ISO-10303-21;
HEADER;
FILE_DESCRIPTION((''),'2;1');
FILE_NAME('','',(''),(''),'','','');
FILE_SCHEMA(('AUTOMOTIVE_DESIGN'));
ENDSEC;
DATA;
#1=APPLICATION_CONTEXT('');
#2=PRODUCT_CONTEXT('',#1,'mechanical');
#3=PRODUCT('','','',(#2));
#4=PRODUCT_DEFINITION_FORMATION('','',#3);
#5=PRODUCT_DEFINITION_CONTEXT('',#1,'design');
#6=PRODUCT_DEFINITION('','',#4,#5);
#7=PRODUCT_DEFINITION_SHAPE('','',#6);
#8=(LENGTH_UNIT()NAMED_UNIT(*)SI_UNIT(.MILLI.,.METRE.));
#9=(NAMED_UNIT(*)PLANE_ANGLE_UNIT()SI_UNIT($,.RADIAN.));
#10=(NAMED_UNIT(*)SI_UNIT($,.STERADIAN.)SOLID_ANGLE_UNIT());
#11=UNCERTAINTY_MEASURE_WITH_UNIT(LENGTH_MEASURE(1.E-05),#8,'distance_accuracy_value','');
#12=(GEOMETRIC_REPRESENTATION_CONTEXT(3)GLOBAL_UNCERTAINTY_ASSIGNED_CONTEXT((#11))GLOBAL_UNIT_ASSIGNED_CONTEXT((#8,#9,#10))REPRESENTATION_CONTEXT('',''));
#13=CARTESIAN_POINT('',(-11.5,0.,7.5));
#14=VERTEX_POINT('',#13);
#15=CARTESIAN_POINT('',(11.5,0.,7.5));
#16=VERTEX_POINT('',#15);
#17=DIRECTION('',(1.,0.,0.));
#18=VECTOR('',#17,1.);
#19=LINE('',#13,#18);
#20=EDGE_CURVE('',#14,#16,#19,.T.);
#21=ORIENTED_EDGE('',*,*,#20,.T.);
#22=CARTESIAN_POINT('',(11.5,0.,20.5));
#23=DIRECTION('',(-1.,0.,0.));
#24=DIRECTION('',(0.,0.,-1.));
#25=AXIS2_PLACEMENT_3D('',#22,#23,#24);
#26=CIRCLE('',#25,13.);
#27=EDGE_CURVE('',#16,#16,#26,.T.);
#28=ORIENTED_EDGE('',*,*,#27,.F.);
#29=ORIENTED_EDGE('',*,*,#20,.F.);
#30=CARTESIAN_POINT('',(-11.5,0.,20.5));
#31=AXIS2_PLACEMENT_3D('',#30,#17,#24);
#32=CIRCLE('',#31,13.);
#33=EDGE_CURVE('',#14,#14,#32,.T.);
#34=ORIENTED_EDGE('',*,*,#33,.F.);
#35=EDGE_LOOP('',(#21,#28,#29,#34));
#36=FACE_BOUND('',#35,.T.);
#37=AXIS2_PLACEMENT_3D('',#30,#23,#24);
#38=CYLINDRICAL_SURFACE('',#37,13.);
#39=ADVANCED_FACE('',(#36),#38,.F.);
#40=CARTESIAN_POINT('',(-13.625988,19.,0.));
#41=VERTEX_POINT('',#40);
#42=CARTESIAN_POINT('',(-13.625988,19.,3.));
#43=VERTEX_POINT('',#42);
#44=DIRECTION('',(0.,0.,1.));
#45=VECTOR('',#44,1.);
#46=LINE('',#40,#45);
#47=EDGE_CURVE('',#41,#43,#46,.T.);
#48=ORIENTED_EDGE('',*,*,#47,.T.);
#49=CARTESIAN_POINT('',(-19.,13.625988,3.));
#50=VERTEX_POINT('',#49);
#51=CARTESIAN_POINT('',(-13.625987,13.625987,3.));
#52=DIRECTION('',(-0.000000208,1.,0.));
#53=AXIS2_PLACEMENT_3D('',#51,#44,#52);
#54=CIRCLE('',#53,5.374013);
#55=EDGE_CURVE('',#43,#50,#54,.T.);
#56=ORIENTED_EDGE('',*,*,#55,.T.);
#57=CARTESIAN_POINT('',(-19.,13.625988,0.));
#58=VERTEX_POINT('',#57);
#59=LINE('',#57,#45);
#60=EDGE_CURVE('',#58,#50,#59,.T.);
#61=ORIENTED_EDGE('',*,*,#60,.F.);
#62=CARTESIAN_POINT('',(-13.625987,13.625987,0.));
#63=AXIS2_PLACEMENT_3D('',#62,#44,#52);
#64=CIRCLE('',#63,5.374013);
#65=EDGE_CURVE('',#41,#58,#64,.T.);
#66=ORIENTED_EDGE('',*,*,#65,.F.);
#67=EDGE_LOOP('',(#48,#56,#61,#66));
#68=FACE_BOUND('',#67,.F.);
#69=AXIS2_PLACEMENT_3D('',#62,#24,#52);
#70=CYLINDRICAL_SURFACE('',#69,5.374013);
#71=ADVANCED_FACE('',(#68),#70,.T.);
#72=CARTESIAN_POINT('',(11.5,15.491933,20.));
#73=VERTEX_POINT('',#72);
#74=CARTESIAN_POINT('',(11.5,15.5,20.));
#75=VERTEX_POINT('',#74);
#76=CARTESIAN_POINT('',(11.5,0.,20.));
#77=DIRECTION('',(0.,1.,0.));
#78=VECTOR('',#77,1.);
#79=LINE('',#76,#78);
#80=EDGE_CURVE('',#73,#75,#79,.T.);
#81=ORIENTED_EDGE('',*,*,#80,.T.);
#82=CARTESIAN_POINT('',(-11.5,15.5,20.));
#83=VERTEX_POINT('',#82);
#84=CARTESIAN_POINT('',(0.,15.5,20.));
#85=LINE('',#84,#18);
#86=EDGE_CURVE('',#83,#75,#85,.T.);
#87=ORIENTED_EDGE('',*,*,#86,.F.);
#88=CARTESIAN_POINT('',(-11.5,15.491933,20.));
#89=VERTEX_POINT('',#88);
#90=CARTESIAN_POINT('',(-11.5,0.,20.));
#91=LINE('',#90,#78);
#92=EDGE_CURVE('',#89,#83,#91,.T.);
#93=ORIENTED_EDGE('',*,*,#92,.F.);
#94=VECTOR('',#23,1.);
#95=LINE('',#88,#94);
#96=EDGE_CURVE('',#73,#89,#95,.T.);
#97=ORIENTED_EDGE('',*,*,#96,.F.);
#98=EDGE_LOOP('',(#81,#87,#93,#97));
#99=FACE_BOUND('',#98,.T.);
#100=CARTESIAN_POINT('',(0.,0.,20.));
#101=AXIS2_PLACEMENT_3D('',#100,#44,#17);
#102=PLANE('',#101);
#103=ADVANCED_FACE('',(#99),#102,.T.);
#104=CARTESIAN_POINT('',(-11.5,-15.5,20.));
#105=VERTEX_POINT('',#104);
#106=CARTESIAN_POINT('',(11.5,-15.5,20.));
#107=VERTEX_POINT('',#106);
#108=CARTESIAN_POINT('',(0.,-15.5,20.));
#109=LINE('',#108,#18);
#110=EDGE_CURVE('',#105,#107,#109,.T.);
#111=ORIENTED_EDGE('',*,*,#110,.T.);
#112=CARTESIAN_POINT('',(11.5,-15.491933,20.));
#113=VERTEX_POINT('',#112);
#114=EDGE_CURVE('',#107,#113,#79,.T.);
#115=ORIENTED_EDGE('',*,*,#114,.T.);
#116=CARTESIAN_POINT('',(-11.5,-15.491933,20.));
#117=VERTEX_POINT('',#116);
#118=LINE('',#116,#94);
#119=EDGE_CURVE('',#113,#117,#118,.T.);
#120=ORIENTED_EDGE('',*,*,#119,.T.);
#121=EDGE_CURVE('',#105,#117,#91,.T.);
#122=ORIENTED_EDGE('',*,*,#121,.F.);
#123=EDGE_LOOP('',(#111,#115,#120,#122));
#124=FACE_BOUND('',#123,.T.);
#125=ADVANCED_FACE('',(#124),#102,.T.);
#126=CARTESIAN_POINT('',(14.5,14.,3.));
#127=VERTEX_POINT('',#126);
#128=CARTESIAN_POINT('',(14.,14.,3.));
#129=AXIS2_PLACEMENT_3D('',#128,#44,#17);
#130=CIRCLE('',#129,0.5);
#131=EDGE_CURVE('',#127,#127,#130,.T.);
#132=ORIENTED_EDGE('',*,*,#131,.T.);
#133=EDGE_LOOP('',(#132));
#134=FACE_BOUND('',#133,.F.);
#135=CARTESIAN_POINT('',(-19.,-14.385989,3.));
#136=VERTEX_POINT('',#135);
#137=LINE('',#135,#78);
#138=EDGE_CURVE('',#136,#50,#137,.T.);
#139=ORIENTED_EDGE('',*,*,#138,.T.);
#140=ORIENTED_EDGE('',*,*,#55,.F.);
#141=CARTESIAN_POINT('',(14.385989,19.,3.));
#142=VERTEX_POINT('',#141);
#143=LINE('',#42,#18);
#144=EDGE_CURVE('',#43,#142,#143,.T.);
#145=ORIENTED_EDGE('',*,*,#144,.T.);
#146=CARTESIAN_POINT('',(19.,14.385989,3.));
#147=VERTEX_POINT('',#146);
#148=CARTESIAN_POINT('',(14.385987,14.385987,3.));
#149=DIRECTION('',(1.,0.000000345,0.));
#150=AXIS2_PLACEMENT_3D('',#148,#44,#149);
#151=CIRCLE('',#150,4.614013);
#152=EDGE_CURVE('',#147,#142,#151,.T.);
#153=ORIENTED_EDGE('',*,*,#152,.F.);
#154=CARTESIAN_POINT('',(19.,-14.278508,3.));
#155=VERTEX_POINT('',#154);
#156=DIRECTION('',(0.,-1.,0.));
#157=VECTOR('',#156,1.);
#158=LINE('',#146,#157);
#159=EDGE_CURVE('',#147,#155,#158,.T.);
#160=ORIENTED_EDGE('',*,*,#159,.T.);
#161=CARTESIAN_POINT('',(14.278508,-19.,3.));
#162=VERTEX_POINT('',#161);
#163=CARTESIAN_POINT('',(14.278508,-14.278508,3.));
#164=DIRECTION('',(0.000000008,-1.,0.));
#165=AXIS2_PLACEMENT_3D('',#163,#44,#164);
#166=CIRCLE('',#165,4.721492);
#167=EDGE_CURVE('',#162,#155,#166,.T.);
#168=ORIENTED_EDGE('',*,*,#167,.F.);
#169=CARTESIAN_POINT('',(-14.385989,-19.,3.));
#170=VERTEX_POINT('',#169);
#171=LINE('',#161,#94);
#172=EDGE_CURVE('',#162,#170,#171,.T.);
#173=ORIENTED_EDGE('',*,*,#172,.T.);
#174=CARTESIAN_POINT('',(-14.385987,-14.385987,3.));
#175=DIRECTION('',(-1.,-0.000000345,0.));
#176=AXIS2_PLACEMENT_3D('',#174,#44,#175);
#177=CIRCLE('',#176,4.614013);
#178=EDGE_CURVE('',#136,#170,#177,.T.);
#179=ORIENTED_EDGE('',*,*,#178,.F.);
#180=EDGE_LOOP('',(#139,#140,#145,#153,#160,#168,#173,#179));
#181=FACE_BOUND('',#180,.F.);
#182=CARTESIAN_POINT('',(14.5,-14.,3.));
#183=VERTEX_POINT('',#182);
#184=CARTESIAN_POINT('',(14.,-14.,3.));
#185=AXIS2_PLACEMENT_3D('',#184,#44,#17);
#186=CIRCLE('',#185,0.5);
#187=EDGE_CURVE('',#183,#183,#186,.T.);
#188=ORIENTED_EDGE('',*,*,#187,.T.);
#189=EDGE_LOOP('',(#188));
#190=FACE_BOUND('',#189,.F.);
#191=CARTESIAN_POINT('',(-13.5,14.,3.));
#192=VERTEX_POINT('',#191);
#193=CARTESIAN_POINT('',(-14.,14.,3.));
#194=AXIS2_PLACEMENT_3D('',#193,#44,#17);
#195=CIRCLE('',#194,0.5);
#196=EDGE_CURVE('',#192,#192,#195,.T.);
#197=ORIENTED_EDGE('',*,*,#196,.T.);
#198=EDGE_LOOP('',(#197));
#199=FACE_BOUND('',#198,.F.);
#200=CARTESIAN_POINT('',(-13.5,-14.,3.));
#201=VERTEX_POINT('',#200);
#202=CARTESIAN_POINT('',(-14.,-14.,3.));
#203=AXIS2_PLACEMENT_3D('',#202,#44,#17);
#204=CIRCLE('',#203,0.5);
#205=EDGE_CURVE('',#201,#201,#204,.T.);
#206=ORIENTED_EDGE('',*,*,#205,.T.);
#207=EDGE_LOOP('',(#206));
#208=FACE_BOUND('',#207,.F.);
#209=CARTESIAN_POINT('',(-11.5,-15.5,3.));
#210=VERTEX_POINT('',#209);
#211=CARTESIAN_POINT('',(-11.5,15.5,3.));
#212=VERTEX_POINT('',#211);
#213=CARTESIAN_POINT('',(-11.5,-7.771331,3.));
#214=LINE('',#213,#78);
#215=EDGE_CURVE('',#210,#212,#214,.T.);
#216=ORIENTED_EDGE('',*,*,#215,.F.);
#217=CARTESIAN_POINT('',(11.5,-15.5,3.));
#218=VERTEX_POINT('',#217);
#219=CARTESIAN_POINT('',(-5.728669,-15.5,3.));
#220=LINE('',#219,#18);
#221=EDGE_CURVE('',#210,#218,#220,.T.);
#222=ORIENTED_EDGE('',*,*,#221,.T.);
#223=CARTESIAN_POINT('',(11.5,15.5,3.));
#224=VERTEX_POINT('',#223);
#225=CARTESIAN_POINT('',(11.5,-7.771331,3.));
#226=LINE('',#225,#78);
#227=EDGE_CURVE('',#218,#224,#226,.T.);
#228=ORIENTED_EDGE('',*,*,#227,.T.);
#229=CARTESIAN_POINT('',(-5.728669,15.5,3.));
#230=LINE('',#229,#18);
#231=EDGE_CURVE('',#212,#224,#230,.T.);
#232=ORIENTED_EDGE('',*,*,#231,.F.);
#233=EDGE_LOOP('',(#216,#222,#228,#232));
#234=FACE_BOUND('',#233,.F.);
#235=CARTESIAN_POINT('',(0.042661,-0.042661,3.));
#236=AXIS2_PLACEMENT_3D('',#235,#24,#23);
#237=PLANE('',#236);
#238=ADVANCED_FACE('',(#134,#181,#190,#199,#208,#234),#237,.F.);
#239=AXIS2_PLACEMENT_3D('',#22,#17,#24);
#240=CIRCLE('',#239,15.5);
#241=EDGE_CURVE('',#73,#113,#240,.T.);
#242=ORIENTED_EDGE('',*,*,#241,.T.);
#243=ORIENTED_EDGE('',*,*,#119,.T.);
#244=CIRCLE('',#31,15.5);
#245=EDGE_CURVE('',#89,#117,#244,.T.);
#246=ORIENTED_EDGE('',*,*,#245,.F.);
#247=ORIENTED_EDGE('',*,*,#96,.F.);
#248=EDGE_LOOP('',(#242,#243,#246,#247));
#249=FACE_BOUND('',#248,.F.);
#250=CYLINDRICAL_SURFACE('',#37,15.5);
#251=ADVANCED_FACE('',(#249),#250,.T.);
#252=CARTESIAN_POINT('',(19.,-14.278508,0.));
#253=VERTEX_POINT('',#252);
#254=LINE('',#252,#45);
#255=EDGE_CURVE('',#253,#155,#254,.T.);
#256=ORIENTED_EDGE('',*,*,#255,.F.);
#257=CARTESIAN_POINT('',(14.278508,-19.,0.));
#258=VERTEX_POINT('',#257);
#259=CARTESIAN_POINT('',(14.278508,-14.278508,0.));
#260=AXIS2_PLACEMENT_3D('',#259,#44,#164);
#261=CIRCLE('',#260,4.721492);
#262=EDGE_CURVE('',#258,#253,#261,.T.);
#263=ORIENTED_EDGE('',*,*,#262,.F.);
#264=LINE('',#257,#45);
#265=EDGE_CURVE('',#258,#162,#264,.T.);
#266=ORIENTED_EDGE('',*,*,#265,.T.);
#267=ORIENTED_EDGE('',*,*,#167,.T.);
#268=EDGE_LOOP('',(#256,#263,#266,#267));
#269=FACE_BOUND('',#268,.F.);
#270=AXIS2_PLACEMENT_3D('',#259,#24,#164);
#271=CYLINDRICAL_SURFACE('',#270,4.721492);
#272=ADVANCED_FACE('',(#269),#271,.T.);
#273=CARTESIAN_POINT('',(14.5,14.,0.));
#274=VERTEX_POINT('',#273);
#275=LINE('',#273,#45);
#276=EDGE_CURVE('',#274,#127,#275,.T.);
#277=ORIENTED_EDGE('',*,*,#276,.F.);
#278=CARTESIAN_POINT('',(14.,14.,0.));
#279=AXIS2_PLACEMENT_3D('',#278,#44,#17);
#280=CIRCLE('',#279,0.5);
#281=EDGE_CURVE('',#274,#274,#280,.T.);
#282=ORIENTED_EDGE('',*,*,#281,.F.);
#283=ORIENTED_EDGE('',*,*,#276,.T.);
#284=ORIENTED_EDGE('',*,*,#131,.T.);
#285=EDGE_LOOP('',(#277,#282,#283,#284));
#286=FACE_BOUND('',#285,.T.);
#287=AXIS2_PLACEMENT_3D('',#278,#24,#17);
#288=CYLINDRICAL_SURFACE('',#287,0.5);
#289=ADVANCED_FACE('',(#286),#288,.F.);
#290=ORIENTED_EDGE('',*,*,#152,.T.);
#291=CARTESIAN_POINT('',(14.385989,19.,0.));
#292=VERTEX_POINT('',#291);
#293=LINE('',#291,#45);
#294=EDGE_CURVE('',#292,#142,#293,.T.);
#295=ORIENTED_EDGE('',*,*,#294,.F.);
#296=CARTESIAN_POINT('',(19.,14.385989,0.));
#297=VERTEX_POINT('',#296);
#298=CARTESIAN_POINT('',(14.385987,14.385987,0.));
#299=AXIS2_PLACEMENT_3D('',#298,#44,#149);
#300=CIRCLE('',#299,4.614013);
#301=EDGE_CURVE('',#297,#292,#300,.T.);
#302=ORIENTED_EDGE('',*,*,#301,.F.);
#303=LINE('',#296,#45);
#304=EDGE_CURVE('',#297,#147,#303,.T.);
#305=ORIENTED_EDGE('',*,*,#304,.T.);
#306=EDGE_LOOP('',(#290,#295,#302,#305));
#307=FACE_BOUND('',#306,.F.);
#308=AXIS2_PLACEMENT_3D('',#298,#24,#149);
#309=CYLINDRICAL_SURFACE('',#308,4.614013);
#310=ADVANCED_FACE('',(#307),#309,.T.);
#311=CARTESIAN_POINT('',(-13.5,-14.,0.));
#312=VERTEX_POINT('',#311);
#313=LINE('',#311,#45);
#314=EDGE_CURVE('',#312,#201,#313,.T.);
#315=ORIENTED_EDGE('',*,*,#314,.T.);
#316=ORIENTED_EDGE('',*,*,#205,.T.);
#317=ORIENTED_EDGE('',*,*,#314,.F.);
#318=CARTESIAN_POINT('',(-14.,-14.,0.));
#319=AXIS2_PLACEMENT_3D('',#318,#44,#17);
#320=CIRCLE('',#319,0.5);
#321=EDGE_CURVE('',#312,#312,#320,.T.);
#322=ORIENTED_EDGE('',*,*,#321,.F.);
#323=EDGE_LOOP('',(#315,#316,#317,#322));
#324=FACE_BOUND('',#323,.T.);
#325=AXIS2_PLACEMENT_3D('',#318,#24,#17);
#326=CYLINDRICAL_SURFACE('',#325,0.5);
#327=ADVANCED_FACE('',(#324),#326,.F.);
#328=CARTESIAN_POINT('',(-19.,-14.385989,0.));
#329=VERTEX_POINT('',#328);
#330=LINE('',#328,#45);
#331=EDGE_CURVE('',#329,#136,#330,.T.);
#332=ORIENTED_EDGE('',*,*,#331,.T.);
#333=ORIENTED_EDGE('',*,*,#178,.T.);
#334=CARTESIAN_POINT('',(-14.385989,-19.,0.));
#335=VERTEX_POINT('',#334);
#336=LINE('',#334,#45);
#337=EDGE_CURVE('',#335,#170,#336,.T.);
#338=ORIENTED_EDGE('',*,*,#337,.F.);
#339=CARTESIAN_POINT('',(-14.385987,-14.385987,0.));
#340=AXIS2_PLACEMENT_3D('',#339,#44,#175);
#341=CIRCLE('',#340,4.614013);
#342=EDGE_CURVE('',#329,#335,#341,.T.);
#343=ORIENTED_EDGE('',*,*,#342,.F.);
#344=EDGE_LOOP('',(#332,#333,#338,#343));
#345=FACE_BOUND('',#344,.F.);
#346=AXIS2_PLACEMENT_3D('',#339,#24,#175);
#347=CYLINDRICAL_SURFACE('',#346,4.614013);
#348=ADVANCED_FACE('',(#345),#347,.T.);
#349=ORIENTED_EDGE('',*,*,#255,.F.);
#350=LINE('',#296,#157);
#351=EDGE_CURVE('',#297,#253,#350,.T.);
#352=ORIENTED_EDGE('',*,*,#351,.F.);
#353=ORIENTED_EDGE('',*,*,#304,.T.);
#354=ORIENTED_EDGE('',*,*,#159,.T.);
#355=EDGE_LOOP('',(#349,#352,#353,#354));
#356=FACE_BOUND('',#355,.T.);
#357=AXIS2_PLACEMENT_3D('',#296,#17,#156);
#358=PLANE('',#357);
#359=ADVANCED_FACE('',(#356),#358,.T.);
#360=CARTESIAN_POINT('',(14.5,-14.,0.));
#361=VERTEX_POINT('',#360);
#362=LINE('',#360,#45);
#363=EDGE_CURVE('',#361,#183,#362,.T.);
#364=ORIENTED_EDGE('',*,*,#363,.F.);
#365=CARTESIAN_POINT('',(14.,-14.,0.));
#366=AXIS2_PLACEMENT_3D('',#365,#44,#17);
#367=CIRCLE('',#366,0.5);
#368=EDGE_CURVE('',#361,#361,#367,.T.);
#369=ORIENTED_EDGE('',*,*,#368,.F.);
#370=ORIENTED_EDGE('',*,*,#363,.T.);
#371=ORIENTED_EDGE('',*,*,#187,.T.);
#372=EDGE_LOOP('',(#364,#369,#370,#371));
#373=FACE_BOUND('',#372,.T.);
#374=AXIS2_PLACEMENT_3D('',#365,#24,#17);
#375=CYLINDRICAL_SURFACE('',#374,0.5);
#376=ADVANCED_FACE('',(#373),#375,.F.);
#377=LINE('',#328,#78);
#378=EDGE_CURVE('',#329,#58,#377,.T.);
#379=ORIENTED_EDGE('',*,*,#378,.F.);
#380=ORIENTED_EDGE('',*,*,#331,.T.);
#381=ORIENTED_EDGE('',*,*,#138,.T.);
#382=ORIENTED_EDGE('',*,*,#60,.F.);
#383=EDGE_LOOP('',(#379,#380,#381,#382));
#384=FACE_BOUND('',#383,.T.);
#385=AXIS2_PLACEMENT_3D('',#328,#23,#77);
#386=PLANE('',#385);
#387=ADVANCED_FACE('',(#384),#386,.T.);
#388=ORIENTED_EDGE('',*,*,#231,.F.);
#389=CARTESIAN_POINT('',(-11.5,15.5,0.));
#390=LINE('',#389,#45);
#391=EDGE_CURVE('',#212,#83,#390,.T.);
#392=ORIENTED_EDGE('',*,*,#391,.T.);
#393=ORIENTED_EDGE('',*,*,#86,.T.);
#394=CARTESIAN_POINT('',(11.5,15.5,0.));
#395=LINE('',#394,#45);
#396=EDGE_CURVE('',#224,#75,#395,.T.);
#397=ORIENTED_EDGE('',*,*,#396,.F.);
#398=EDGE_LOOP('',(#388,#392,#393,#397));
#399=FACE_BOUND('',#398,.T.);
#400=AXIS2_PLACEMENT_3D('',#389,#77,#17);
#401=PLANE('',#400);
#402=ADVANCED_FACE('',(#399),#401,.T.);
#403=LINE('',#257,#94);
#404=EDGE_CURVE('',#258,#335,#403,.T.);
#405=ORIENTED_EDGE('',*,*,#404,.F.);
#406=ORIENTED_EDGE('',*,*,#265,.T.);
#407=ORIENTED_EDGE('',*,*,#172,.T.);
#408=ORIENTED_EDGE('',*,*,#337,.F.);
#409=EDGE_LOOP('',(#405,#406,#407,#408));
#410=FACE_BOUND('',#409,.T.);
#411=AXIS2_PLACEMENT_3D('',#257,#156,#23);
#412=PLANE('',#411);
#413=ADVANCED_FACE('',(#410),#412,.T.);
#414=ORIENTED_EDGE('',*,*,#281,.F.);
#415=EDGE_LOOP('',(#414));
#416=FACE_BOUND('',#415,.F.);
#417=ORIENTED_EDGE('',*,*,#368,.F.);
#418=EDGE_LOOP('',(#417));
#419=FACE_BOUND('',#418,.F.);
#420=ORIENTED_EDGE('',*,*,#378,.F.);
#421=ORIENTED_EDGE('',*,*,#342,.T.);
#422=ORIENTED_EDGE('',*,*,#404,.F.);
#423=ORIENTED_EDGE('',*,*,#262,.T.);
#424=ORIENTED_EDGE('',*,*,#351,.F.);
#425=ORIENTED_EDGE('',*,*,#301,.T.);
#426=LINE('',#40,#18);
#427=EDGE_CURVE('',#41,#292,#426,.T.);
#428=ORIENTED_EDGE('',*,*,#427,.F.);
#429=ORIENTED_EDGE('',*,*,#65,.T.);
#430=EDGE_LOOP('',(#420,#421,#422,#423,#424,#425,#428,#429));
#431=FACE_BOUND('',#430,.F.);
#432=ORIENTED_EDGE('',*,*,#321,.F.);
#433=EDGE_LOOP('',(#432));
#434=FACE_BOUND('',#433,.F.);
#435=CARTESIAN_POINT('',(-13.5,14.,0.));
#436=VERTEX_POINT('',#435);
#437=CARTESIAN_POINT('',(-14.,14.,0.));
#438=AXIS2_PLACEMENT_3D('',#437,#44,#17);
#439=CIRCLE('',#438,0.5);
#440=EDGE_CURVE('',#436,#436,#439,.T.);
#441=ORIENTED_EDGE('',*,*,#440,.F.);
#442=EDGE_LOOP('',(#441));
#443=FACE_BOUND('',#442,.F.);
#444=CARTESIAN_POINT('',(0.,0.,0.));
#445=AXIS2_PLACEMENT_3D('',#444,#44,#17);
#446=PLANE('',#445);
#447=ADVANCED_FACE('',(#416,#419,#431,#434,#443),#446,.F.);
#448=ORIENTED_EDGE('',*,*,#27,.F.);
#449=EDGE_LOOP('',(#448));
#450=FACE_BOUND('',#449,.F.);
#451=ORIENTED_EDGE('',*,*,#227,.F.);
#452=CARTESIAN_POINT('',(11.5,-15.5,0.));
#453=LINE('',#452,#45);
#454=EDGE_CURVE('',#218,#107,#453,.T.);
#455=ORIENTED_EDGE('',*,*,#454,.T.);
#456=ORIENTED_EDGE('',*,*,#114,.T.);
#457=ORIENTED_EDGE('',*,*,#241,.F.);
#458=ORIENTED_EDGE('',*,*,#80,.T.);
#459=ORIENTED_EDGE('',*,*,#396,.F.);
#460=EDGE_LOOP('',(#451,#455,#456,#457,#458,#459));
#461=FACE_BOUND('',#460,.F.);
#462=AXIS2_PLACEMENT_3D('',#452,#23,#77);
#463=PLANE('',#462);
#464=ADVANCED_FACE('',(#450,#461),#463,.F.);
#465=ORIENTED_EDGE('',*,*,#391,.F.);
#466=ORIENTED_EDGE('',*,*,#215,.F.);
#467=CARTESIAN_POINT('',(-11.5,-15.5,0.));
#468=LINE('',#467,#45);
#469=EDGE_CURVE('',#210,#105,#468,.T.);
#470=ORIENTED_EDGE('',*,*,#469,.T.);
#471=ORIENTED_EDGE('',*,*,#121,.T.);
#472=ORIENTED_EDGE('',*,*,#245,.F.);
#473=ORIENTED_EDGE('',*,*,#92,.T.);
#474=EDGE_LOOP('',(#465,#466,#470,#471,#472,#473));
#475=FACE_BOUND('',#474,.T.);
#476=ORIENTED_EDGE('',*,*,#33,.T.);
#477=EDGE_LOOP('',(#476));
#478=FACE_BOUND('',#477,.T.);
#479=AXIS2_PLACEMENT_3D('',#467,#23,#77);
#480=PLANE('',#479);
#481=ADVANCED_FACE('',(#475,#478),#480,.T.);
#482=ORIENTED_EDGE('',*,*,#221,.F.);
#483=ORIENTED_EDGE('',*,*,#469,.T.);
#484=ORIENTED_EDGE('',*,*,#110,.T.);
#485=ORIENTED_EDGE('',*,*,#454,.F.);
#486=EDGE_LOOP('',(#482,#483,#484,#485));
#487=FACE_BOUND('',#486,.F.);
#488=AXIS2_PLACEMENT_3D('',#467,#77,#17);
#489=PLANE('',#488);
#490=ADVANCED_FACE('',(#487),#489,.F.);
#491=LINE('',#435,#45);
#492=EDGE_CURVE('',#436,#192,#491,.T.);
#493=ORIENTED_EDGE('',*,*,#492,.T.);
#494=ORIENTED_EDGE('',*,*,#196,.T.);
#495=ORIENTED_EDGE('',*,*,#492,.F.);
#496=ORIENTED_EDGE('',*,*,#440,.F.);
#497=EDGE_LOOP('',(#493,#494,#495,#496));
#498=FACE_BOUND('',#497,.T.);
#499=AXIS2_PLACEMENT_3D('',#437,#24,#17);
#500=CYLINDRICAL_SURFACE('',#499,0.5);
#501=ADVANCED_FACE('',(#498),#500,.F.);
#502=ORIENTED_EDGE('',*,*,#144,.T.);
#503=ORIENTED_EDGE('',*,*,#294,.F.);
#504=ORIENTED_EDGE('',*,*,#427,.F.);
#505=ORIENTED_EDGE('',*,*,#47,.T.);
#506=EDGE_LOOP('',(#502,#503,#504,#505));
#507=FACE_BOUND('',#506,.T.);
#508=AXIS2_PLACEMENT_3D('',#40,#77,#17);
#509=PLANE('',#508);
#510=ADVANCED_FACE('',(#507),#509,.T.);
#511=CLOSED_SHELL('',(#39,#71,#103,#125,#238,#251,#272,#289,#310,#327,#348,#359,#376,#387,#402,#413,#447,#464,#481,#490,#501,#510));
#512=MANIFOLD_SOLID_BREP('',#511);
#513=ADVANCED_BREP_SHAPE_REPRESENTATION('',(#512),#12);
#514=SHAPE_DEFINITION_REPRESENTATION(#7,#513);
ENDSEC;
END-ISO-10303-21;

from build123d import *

# Parameters (mm, degrees)
CYLINDER023_R     = 13
CYLINDER023_DEPTH = 23
CYLINDER024_R     = 15.5
CYLINDER024_DEPTH = 23
CYLINDER025_R     = 13
CYLINDER025_DEPTH = 40
BOX001_W          = 23
BOX001_H          = 31
BOX001_DEPTH      = 20
SKETCH005_R       = 0.5
PAD004_DEPTH      = 3


with BuildPart() as cylinder023:
    # Cylinder023 → Cylinder023 (new body)
    with BuildSketch(Plane(origin=(0, 0, 7), x_dir=(0, 0, -1), z_dir=(1, 0, 0))):
        Circle(CYLINDER023_R)
    extrude(amount=CYLINDER023_DEPTH)


with BuildPart() as cut:
    # Cylinder024 → Cylinder024 (new body)
    with BuildSketch(Plane(origin=(0, 0, 7), x_dir=(0, 0, -1), z_dir=(1, 0, 0))):
        Circle(CYLINDER024_R)
    extrude(amount=CYLINDER024_DEPTH)

    # Cut: cut Cylinder023
    add(cylinder023.part, mode=Mode.SUBTRACT)


with BuildPart() as cut_1:
    # Cut placement: moved
    add(cut.part.moved(Location((-11.5, 0, 13.5))))


with BuildPart() as cylinder025:
    # Cylinder025 → Cylinder025 (new body)
    with BuildSketch(Plane(origin=(-17, 0, 20.5), x_dir=(0, 0, -1), z_dir=(1, 0, 0))):
        Circle(CYLINDER025_R)
    extrude(amount=CYLINDER025_DEPTH)


with BuildPart() as cut001:
    # Box001 → Box001 (new body)
    with BuildSketch(Plane(origin=(-11.5, -15.5, 0), x_dir=(1, 0, 0), z_dir=(0, 0, 1))):
        with Locations((11.5, 15.5)):
            Rectangle(BOX001_W, BOX001_H)
    extrude(amount=BOX001_DEPTH)

    # Cut001: cut Cylinder025
    add(cylinder025.part, mode=Mode.SUBTRACT)


with BuildPart() as f_52_raspcamsupportfixer:
    # Sketch005 → Pad004 (new body)
    with BuildSketch(Plane.XY):
        with BuildLine():
            Line((-13.625988, 19), (14.385989, 19))
            ThreePointArc((19, 14.385989), (17.648587, 17.648587), (14.385989, 19))
            Line((19, 14.385989), (19, -14.278508))
            ThreePointArc((14.278508, -19), (17.617107, -17.617107), (19, -14.278508))
            Line((14.278508, -19), (-14.385989, -19))
            ThreePointArc((-19, -14.385989), (-17.648587, -17.648587), (-14.385989, -19))
            Line((-19, -14.385989), (-19, 13.625988))
            ThreePointArc((-13.625988, 19), (-17.425988, 17.425988), (-19, 13.625988))
        make_face()
        with Locations((-14, 14)):
            Circle(SKETCH005_R, mode=Mode.SUBTRACT)
        with Locations((14, 14)):
            Circle(SKETCH005_R, mode=Mode.SUBTRACT)
        with Locations((14, -14)):
            Circle(SKETCH005_R, mode=Mode.SUBTRACT)
        with Locations((-14, -14)):
            Circle(SKETCH005_R, mode=Mode.SUBTRACT)
    extrude(amount=PAD004_DEPTH)

    # Fusion027: union Cut, Cut001
    add(cut_1.part)
    add(cut001.part)


solid = f_52_raspcamsupportfixer.part
